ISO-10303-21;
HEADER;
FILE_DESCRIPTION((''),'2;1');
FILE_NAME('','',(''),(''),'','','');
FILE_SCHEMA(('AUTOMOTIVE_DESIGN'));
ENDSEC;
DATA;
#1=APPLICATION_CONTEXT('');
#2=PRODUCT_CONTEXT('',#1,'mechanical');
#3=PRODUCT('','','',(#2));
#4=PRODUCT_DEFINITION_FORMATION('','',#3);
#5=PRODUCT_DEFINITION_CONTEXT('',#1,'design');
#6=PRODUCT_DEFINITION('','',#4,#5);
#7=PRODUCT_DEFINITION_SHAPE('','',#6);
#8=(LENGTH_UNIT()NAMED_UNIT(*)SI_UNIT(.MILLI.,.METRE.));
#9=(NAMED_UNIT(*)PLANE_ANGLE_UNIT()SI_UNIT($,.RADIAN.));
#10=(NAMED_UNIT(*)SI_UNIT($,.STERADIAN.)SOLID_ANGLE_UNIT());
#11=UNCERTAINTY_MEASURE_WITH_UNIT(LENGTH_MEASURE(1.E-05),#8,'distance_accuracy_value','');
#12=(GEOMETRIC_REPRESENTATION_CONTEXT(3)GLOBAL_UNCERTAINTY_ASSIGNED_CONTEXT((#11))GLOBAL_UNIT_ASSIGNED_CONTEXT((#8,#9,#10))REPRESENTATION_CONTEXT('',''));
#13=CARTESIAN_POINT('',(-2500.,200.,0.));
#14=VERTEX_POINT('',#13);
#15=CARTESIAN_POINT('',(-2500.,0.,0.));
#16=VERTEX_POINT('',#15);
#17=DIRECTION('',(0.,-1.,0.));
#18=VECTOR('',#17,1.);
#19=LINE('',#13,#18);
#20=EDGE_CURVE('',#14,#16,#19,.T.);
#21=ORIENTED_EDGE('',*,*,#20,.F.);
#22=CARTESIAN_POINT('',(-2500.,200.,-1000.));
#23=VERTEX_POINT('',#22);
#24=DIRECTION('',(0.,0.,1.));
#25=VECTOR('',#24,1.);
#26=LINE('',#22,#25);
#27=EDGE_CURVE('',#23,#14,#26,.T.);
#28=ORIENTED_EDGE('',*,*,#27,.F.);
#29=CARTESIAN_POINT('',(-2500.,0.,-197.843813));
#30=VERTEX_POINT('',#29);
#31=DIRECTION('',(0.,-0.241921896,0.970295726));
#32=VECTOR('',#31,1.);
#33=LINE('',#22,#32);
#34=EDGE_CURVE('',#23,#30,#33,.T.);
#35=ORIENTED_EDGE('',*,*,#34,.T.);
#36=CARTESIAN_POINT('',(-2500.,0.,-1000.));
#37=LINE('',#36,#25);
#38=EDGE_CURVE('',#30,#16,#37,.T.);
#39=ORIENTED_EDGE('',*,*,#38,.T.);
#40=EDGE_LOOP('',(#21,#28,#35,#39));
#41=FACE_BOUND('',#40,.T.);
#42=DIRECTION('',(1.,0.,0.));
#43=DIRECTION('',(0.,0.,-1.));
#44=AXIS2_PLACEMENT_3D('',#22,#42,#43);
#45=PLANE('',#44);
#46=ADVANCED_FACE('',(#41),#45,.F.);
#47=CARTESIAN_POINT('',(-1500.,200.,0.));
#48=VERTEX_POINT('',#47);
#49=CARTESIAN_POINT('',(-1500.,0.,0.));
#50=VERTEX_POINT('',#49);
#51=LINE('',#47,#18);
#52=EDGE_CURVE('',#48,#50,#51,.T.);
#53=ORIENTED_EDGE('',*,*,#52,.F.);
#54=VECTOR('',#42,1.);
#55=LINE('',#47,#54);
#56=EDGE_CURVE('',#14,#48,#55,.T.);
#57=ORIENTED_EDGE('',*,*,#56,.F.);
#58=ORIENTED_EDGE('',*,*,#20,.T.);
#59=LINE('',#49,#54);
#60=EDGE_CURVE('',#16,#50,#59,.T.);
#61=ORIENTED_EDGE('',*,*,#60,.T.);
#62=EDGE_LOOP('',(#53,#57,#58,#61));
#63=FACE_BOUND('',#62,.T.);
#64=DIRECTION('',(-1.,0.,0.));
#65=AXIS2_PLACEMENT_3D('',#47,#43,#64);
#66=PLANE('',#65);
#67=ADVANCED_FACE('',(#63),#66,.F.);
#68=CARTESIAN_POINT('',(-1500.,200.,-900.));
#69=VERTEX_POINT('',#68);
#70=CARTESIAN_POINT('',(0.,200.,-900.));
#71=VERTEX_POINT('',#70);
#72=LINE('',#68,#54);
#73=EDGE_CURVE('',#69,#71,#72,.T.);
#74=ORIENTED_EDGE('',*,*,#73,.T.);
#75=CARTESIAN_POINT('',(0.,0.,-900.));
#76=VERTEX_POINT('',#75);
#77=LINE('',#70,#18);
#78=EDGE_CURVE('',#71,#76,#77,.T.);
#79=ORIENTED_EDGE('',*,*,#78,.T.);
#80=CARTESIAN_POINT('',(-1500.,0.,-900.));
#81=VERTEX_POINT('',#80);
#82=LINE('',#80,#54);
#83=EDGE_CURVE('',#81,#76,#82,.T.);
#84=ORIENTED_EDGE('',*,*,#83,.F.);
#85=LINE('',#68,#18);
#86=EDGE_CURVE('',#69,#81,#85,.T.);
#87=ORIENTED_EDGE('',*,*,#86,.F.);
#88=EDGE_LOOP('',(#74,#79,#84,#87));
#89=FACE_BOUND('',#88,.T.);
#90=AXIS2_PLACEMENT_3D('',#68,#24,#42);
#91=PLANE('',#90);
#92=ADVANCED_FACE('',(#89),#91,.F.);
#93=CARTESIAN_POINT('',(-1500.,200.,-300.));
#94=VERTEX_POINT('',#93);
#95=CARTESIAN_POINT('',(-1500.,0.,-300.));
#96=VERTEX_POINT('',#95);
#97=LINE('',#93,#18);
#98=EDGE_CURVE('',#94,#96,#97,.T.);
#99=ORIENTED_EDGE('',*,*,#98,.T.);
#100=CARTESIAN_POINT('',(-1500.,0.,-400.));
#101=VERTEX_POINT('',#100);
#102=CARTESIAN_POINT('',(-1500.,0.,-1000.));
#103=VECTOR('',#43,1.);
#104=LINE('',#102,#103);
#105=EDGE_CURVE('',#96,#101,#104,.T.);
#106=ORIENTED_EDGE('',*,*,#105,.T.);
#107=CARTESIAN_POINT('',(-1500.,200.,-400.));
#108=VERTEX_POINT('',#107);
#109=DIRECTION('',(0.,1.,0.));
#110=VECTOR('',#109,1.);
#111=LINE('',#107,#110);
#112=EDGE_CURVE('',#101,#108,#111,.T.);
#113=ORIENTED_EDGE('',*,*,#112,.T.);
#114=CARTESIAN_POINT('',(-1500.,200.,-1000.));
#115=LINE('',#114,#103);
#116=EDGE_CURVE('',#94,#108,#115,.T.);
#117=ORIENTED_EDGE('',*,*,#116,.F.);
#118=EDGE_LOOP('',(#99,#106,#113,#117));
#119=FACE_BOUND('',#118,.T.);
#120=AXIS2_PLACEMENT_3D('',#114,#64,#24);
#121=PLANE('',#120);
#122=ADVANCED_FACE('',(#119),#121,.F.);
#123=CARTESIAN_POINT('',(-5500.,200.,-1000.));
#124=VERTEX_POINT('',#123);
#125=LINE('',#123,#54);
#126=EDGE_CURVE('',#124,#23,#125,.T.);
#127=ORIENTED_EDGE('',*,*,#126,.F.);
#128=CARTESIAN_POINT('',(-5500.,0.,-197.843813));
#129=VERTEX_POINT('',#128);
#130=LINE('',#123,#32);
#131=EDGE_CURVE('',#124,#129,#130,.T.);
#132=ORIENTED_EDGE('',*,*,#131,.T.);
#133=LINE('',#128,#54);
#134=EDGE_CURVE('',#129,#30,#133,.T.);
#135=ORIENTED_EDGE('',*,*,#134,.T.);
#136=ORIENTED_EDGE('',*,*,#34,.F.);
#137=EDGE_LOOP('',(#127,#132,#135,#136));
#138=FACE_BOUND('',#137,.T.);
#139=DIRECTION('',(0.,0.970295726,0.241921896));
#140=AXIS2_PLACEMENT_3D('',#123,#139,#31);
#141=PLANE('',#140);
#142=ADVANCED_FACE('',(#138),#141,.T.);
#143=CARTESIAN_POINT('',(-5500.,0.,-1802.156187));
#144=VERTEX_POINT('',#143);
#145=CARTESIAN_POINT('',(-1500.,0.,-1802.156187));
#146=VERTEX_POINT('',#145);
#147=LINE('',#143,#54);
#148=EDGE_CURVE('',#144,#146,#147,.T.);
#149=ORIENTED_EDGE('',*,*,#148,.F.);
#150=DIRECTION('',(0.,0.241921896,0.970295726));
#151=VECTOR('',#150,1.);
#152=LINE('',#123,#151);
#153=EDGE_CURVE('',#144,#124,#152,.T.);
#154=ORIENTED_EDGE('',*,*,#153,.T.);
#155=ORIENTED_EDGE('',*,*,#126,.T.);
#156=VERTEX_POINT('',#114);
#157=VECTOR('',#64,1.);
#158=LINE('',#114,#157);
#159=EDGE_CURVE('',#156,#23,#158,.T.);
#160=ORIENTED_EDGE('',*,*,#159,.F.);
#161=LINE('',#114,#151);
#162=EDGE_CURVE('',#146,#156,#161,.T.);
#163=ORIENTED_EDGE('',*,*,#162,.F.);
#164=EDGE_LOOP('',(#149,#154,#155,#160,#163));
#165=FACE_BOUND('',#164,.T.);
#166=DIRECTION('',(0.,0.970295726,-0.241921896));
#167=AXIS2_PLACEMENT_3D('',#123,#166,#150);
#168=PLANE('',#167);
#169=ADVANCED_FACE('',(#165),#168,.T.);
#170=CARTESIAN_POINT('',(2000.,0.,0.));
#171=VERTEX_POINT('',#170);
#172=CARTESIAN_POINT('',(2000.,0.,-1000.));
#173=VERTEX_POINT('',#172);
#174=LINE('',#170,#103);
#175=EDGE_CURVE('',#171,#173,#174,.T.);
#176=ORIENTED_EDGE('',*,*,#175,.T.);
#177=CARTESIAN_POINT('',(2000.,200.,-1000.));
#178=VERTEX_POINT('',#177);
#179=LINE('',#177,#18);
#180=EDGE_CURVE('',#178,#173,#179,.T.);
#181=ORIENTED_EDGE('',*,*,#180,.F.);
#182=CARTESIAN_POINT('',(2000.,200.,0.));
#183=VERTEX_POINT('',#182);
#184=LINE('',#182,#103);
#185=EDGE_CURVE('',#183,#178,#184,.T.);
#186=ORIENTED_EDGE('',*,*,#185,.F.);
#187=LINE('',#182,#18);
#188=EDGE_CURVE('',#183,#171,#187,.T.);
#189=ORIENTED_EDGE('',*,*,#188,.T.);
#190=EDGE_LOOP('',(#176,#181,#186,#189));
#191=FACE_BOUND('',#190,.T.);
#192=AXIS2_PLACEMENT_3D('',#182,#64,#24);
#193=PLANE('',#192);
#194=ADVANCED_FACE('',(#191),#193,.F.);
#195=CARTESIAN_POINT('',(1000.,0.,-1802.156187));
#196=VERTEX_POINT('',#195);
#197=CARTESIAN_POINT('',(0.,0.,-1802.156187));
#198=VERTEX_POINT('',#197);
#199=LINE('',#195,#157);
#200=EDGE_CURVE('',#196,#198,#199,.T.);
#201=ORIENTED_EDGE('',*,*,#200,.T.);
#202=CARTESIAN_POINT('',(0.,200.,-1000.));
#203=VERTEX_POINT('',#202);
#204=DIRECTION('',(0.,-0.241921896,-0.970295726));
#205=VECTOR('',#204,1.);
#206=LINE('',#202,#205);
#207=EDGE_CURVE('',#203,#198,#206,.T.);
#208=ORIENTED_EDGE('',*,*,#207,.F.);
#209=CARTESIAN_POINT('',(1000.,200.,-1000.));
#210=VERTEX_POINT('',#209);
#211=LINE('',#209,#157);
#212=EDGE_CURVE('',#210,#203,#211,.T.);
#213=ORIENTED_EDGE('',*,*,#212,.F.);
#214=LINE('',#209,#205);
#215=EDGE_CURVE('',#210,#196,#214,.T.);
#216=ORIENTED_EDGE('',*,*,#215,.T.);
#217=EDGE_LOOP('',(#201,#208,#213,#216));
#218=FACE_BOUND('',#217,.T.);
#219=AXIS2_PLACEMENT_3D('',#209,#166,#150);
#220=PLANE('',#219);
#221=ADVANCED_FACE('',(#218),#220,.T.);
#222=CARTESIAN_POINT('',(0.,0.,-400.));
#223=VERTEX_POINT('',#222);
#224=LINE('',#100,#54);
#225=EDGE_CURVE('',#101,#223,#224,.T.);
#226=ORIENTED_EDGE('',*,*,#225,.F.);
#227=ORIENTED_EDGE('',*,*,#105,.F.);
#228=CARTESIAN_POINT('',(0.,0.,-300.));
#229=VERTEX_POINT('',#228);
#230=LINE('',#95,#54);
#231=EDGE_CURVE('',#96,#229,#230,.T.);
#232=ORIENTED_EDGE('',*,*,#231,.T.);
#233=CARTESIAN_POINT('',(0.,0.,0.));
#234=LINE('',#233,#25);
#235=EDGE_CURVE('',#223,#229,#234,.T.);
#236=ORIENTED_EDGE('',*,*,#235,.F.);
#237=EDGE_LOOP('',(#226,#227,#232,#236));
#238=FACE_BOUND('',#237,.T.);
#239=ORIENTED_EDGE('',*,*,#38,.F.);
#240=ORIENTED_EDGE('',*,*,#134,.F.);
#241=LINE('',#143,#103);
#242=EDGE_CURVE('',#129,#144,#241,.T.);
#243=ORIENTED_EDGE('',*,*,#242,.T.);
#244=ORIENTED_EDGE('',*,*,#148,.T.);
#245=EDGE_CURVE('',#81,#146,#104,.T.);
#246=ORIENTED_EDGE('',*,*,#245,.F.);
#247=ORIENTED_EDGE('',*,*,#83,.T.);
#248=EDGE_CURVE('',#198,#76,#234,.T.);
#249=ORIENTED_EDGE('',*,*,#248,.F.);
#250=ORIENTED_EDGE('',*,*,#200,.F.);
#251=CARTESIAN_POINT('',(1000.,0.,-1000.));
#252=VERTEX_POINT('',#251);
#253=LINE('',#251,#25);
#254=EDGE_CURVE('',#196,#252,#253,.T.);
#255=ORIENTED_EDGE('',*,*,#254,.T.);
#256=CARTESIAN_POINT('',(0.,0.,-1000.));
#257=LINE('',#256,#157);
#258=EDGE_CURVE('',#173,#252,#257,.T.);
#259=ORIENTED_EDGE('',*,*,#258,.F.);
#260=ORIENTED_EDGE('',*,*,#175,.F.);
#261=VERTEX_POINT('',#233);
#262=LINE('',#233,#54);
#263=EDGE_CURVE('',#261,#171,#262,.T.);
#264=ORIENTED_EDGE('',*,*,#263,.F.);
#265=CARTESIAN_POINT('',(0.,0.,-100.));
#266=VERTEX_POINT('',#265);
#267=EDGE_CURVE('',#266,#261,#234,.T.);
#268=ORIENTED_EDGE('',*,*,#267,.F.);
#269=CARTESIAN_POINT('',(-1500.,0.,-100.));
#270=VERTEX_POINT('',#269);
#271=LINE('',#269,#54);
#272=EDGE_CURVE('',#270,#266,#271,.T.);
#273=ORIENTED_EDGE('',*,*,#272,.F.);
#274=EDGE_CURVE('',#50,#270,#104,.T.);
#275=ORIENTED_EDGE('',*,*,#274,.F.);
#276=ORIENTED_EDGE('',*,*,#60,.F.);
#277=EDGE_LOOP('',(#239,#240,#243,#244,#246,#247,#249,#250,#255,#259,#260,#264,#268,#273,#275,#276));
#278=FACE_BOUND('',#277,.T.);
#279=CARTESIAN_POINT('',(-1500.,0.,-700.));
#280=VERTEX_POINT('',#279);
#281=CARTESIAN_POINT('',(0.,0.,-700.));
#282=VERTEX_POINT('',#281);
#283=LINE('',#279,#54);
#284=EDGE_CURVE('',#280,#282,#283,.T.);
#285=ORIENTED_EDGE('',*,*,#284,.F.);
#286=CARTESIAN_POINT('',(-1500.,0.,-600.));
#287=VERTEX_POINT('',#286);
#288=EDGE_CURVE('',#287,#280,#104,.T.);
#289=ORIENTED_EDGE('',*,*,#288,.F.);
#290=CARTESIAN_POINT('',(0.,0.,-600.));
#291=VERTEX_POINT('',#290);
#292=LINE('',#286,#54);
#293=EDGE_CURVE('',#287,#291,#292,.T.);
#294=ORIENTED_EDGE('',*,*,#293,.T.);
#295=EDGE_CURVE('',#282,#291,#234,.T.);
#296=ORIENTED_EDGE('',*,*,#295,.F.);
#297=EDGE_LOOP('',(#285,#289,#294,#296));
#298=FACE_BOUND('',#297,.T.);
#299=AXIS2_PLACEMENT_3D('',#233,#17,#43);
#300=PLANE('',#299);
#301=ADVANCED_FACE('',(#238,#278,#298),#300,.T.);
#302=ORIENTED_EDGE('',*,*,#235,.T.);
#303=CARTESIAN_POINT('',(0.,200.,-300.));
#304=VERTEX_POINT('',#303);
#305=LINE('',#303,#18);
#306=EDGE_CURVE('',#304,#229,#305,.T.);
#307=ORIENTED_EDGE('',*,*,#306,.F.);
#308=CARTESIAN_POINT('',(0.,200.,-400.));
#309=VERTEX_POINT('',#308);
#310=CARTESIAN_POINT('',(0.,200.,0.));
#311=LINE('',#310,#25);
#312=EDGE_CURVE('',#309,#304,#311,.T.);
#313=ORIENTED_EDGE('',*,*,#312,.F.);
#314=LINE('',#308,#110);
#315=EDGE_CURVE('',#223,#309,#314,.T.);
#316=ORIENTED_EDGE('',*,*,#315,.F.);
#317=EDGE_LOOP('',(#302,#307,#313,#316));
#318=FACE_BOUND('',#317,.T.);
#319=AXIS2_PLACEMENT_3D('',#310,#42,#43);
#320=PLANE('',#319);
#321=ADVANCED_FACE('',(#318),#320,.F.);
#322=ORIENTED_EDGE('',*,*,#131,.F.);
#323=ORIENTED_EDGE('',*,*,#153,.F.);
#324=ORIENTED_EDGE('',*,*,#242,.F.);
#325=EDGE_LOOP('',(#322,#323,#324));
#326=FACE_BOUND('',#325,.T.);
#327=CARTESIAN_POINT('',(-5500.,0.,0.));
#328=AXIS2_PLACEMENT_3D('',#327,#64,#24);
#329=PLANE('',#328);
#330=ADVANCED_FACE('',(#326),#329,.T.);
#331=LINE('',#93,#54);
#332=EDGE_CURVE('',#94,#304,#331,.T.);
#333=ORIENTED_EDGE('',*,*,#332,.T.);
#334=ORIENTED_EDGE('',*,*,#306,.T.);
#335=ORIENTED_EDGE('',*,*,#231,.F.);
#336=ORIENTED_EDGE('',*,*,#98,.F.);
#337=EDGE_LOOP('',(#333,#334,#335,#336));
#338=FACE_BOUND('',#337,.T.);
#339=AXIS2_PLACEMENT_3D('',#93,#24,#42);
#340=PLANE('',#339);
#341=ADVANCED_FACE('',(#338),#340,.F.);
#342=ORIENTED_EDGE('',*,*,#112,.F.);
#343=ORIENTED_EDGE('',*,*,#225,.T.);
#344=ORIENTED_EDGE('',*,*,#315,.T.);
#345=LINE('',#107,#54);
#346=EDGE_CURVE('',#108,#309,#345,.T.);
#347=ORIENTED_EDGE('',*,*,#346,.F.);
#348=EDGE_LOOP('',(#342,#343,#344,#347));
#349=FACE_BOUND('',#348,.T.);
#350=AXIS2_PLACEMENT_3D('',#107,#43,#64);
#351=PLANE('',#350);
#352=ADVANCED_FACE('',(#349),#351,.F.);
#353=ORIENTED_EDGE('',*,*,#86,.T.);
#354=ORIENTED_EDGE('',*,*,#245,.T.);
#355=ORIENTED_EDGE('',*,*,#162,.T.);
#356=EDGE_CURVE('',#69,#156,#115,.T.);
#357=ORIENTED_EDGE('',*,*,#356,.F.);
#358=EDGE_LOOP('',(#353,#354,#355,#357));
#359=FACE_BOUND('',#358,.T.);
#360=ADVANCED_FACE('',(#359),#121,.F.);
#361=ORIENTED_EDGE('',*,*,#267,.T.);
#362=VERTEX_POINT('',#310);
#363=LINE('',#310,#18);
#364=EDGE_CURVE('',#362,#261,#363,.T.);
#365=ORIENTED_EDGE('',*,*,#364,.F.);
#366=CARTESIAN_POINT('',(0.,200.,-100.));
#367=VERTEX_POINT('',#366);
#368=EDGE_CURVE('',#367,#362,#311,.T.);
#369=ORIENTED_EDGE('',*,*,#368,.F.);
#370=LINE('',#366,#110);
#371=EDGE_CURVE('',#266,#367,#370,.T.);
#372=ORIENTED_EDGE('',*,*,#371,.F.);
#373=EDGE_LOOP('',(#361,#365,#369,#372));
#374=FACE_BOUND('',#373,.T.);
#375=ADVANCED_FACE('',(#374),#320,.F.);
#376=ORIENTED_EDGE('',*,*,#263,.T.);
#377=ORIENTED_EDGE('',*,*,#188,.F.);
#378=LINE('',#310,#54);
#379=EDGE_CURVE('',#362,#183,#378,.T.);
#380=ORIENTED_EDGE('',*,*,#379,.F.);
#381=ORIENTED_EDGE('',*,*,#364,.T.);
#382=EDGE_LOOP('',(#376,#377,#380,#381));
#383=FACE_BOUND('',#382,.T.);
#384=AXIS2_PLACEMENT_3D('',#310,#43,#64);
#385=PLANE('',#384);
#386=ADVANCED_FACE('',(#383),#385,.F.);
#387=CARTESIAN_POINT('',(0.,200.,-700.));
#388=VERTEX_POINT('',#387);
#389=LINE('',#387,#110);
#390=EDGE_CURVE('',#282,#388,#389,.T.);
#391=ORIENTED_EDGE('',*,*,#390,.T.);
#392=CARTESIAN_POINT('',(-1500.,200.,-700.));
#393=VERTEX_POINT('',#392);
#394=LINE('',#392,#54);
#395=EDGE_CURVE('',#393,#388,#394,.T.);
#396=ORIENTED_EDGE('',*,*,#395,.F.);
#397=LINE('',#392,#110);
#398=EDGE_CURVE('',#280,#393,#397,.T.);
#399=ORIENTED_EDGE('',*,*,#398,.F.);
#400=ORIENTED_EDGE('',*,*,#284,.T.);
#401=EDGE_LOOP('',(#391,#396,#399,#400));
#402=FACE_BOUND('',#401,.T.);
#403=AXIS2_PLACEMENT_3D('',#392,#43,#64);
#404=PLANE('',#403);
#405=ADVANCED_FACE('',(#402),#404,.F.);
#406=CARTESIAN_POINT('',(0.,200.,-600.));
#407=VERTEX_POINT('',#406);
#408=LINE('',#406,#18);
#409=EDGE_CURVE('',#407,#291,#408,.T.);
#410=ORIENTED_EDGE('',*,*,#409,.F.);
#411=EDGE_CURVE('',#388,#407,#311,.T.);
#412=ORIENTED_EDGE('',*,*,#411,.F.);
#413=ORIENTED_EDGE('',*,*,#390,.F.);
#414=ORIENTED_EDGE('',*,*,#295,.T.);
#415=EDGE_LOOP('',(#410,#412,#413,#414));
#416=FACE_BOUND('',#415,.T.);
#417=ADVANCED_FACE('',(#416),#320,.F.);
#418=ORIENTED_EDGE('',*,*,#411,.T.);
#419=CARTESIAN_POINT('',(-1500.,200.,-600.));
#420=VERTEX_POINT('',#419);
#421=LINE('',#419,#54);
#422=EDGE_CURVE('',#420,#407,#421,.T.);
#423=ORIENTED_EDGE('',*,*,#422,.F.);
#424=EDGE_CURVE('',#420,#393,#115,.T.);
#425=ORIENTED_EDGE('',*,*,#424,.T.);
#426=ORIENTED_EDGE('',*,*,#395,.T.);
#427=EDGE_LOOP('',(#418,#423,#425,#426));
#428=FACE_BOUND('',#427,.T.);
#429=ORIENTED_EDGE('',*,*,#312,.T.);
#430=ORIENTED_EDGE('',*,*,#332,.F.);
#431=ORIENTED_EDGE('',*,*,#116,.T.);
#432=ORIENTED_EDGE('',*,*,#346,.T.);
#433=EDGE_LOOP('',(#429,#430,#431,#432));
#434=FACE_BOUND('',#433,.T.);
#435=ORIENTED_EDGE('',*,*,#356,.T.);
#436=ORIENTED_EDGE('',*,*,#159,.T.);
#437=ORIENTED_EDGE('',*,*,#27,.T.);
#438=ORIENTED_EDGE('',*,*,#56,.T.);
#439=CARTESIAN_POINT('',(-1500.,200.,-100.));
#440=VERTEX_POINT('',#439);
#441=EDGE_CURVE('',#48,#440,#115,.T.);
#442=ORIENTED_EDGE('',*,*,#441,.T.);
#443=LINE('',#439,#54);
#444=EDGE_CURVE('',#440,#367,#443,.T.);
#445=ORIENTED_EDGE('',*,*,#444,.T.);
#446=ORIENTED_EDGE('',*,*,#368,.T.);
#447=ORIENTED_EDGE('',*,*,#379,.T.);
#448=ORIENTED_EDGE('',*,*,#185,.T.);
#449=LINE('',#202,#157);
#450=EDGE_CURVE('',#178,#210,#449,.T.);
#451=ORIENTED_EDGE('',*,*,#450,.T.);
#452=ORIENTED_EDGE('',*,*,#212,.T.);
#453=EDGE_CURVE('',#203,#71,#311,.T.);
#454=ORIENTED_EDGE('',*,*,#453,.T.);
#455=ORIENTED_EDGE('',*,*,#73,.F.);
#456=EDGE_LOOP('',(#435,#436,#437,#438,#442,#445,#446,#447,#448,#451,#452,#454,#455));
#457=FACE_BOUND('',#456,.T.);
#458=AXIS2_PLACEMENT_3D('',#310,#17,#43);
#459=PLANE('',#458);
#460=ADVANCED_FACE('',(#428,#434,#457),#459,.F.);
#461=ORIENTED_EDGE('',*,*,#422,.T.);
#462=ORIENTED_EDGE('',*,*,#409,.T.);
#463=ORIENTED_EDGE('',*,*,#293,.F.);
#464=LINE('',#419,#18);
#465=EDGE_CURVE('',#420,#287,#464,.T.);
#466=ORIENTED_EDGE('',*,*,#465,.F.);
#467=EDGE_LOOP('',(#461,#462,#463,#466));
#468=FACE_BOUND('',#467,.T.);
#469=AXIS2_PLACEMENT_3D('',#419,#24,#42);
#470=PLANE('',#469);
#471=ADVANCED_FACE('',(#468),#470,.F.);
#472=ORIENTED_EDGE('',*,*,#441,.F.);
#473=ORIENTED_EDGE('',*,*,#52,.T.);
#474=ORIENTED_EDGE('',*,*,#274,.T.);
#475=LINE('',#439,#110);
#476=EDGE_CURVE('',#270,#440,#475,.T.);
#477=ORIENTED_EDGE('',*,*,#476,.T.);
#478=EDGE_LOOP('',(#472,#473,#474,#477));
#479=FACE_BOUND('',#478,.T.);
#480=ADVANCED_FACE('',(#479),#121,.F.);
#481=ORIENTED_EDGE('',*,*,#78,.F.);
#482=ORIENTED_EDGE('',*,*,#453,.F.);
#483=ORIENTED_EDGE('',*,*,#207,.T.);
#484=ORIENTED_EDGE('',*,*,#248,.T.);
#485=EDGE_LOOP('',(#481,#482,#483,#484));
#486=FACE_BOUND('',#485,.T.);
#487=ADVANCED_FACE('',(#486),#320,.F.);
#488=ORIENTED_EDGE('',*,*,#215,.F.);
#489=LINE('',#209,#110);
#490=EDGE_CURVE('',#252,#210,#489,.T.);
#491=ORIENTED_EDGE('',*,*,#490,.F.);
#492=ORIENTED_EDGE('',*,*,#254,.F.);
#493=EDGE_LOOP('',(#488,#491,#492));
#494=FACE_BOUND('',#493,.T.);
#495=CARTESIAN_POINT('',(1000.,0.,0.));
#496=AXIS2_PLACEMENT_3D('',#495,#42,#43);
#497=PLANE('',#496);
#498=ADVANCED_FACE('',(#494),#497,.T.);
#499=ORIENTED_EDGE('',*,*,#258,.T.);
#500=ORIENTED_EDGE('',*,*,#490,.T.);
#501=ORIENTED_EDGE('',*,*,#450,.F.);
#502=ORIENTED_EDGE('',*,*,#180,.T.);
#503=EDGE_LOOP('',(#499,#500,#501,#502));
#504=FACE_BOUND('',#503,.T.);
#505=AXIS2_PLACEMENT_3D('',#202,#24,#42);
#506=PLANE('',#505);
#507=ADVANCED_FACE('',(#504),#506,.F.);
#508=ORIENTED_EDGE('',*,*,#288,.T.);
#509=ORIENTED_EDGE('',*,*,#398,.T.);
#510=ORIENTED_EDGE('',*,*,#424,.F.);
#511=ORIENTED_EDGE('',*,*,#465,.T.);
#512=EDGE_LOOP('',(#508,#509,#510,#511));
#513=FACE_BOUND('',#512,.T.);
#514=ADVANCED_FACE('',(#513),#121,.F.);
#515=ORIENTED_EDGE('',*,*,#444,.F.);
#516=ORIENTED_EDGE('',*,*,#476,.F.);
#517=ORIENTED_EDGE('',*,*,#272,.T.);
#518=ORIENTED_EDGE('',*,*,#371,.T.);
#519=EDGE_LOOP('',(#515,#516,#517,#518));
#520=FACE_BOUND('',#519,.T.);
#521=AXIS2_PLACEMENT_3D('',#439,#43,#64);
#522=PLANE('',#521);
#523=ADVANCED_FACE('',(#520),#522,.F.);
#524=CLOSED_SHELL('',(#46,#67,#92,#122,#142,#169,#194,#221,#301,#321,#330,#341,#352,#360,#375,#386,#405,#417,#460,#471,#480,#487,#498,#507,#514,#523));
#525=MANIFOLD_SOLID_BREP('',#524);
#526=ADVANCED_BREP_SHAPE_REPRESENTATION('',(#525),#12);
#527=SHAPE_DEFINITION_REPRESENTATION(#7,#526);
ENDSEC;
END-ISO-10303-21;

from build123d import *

# Parameters (mm, degrees)
SKETCH_1_W      = 2000
SKETCH_1_H      = 1000
EXTRUDE_1_DEPTH = 200
EXTRUDE_2_DEPTH = 1000
SKETCH_3_W      = 200
SKETCH_3_H      = 200
EXTRUDE_3_DEPTH = 1500
SKETCH_4_W      = 1000
SKETCH_4_H      = 1000
EXTRUDE_4_DEPTH = 200
EXTRUDE_5_DEPTH = 4000


with BuildPart() as part:
    # 草图1 → 凸台-拉伸1 (new body)
    with BuildSketch(Plane(origin=(0, 0, 0), x_dir=(1, 0, 0), z_dir=(0, 1, 0))):
        with Locations((1000, 500)):
            Rectangle(SKETCH_1_W, SKETCH_1_H)
    extrude(amount=EXTRUDE_1_DEPTH)

    # 草图2 → 凸台-拉伸2 (add)
    with BuildSketch(Plane.ZY):
        Polygon((-1000, 200), (-1802.156186707, 0), (-1000, 0), align=None)
    extrude(amount=-EXTRUDE_2_DEPTH)

    # 草图3 → 凸台-拉伸3 (add)
    with BuildSketch(Plane.ZY):
        with Locations((-200, 100)):
            Rectangle(SKETCH_3_W, SKETCH_3_H)
        with Locations((-500, 100)):
            Rectangle(SKETCH_3_W, SKETCH_3_H)
        with Locations((-800, 100)):
            Rectangle(SKETCH_3_W, SKETCH_3_H)
    extrude(amount=EXTRUDE_3_DEPTH)

    # 草图4 → 凸台-拉伸4 (add)
    with BuildSketch(Plane(origin=(0, 0, 0), x_dir=(1, 0, 0), z_dir=(0, 1, 0))):
        with Locations((-2000, 500)):
            Rectangle(SKETCH_4_W, SKETCH_4_H)
    extrude(amount=EXTRUDE_4_DEPTH)

    # 草图5 → 凸台-拉伸5 (add)
    with BuildSketch(Plane(origin=(-1500, 0, 0), x_dir=(0, 0, -1), z_dir=(1, 0, 0))):
        Polygon((1802.156186707, 0), (197.843813293, 0), (1000, 200), align=None)
    extrude(amount=-EXTRUDE_5_DEPTH)


solid = part.part
